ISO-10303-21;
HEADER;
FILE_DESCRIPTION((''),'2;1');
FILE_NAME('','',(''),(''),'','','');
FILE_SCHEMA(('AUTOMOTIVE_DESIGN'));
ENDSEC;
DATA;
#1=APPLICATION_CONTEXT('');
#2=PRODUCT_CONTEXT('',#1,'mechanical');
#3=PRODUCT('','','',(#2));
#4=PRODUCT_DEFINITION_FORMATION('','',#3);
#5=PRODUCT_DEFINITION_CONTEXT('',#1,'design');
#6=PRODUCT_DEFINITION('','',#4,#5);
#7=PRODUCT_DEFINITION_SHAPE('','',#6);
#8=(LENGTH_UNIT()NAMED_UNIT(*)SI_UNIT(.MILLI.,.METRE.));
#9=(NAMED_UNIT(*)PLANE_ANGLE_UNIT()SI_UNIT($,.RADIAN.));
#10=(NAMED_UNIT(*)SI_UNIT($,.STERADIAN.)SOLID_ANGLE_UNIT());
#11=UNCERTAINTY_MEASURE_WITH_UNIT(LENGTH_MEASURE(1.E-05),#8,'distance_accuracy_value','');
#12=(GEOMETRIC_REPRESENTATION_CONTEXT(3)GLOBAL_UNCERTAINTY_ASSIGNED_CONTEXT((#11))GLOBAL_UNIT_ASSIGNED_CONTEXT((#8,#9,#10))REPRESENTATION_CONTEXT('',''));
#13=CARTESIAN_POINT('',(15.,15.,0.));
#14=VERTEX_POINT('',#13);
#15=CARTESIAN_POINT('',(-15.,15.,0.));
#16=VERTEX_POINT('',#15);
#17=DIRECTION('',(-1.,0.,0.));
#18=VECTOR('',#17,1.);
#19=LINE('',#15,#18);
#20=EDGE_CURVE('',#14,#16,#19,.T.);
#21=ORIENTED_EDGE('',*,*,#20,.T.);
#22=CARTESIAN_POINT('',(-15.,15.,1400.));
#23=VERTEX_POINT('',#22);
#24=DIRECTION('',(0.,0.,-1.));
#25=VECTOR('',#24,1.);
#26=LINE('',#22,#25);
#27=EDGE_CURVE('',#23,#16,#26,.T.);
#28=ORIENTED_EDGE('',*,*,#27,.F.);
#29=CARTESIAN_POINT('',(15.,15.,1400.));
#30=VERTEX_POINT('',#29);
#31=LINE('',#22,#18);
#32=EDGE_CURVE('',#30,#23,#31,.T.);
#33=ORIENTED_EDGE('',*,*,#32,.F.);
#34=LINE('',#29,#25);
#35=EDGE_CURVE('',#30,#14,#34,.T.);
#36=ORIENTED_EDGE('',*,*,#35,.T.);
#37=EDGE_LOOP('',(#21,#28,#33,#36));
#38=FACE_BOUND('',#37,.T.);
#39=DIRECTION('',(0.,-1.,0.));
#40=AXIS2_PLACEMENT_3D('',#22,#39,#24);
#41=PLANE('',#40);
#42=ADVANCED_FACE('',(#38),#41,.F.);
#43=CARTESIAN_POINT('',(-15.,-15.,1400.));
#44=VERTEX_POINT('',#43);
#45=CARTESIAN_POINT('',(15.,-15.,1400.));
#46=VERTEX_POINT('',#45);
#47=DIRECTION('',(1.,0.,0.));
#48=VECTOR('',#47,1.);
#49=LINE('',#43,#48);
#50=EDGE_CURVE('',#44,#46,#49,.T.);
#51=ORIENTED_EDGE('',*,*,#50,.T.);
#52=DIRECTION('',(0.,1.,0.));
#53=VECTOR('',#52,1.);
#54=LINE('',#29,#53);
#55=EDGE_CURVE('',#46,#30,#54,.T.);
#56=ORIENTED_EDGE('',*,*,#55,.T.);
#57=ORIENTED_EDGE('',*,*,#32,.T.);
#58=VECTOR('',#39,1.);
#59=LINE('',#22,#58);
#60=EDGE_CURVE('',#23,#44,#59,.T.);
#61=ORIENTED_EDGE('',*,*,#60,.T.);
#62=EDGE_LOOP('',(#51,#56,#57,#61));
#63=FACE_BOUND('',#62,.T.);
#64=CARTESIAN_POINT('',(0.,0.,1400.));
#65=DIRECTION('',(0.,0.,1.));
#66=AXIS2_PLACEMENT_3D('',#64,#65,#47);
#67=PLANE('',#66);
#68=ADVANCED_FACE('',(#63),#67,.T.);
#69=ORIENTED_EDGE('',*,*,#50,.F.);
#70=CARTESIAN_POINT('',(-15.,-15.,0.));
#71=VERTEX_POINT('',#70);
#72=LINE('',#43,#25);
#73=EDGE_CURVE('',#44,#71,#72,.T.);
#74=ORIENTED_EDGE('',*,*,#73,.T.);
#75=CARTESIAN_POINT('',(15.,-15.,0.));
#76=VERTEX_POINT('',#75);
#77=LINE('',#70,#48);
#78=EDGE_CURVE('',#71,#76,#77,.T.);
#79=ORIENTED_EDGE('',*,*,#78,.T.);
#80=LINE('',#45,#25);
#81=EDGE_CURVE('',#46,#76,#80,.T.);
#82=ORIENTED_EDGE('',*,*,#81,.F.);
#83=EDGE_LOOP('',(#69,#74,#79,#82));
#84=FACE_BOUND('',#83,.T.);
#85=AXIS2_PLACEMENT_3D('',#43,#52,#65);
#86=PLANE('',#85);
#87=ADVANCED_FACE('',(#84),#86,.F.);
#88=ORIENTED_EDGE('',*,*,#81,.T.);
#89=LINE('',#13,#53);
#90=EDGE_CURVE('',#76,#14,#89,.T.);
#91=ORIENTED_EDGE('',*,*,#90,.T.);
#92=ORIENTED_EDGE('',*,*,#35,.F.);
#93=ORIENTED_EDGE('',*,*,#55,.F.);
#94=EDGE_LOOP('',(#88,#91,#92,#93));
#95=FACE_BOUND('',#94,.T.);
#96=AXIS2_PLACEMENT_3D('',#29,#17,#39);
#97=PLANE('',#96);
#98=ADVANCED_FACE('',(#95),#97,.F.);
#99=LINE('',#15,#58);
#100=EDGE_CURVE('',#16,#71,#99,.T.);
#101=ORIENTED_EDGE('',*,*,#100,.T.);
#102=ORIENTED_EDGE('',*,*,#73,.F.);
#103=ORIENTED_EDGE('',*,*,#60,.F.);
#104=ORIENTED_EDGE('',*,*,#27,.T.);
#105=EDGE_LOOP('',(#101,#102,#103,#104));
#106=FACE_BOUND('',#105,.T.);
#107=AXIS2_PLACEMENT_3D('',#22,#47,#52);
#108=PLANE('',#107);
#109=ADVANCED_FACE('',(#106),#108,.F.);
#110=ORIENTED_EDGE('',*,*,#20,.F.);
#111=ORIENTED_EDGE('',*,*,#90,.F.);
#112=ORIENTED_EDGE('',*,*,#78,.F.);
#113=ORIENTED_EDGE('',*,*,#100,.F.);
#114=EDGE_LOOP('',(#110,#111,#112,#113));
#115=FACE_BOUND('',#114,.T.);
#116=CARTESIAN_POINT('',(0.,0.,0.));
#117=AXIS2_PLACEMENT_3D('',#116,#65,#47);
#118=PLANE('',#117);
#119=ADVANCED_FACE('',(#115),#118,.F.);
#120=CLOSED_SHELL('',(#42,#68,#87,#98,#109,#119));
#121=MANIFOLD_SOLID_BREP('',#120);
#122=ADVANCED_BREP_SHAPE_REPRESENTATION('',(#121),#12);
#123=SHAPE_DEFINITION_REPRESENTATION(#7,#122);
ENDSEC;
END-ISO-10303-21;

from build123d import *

# Parameters (mm, degrees)
SKETCH_1_W      = 30
SKETCH_1_H      = 30
EXTRUDE_1_DEPTH = 1400


with BuildPart() as part:
    # 草图1 → 凸台-拉伸1 (new body)
    with BuildSketch(Plane.XY):
        Rectangle(SKETCH_1_W, SKETCH_1_H)
    extrude(amount=EXTRUDE_1_DEPTH)


solid = part.part
